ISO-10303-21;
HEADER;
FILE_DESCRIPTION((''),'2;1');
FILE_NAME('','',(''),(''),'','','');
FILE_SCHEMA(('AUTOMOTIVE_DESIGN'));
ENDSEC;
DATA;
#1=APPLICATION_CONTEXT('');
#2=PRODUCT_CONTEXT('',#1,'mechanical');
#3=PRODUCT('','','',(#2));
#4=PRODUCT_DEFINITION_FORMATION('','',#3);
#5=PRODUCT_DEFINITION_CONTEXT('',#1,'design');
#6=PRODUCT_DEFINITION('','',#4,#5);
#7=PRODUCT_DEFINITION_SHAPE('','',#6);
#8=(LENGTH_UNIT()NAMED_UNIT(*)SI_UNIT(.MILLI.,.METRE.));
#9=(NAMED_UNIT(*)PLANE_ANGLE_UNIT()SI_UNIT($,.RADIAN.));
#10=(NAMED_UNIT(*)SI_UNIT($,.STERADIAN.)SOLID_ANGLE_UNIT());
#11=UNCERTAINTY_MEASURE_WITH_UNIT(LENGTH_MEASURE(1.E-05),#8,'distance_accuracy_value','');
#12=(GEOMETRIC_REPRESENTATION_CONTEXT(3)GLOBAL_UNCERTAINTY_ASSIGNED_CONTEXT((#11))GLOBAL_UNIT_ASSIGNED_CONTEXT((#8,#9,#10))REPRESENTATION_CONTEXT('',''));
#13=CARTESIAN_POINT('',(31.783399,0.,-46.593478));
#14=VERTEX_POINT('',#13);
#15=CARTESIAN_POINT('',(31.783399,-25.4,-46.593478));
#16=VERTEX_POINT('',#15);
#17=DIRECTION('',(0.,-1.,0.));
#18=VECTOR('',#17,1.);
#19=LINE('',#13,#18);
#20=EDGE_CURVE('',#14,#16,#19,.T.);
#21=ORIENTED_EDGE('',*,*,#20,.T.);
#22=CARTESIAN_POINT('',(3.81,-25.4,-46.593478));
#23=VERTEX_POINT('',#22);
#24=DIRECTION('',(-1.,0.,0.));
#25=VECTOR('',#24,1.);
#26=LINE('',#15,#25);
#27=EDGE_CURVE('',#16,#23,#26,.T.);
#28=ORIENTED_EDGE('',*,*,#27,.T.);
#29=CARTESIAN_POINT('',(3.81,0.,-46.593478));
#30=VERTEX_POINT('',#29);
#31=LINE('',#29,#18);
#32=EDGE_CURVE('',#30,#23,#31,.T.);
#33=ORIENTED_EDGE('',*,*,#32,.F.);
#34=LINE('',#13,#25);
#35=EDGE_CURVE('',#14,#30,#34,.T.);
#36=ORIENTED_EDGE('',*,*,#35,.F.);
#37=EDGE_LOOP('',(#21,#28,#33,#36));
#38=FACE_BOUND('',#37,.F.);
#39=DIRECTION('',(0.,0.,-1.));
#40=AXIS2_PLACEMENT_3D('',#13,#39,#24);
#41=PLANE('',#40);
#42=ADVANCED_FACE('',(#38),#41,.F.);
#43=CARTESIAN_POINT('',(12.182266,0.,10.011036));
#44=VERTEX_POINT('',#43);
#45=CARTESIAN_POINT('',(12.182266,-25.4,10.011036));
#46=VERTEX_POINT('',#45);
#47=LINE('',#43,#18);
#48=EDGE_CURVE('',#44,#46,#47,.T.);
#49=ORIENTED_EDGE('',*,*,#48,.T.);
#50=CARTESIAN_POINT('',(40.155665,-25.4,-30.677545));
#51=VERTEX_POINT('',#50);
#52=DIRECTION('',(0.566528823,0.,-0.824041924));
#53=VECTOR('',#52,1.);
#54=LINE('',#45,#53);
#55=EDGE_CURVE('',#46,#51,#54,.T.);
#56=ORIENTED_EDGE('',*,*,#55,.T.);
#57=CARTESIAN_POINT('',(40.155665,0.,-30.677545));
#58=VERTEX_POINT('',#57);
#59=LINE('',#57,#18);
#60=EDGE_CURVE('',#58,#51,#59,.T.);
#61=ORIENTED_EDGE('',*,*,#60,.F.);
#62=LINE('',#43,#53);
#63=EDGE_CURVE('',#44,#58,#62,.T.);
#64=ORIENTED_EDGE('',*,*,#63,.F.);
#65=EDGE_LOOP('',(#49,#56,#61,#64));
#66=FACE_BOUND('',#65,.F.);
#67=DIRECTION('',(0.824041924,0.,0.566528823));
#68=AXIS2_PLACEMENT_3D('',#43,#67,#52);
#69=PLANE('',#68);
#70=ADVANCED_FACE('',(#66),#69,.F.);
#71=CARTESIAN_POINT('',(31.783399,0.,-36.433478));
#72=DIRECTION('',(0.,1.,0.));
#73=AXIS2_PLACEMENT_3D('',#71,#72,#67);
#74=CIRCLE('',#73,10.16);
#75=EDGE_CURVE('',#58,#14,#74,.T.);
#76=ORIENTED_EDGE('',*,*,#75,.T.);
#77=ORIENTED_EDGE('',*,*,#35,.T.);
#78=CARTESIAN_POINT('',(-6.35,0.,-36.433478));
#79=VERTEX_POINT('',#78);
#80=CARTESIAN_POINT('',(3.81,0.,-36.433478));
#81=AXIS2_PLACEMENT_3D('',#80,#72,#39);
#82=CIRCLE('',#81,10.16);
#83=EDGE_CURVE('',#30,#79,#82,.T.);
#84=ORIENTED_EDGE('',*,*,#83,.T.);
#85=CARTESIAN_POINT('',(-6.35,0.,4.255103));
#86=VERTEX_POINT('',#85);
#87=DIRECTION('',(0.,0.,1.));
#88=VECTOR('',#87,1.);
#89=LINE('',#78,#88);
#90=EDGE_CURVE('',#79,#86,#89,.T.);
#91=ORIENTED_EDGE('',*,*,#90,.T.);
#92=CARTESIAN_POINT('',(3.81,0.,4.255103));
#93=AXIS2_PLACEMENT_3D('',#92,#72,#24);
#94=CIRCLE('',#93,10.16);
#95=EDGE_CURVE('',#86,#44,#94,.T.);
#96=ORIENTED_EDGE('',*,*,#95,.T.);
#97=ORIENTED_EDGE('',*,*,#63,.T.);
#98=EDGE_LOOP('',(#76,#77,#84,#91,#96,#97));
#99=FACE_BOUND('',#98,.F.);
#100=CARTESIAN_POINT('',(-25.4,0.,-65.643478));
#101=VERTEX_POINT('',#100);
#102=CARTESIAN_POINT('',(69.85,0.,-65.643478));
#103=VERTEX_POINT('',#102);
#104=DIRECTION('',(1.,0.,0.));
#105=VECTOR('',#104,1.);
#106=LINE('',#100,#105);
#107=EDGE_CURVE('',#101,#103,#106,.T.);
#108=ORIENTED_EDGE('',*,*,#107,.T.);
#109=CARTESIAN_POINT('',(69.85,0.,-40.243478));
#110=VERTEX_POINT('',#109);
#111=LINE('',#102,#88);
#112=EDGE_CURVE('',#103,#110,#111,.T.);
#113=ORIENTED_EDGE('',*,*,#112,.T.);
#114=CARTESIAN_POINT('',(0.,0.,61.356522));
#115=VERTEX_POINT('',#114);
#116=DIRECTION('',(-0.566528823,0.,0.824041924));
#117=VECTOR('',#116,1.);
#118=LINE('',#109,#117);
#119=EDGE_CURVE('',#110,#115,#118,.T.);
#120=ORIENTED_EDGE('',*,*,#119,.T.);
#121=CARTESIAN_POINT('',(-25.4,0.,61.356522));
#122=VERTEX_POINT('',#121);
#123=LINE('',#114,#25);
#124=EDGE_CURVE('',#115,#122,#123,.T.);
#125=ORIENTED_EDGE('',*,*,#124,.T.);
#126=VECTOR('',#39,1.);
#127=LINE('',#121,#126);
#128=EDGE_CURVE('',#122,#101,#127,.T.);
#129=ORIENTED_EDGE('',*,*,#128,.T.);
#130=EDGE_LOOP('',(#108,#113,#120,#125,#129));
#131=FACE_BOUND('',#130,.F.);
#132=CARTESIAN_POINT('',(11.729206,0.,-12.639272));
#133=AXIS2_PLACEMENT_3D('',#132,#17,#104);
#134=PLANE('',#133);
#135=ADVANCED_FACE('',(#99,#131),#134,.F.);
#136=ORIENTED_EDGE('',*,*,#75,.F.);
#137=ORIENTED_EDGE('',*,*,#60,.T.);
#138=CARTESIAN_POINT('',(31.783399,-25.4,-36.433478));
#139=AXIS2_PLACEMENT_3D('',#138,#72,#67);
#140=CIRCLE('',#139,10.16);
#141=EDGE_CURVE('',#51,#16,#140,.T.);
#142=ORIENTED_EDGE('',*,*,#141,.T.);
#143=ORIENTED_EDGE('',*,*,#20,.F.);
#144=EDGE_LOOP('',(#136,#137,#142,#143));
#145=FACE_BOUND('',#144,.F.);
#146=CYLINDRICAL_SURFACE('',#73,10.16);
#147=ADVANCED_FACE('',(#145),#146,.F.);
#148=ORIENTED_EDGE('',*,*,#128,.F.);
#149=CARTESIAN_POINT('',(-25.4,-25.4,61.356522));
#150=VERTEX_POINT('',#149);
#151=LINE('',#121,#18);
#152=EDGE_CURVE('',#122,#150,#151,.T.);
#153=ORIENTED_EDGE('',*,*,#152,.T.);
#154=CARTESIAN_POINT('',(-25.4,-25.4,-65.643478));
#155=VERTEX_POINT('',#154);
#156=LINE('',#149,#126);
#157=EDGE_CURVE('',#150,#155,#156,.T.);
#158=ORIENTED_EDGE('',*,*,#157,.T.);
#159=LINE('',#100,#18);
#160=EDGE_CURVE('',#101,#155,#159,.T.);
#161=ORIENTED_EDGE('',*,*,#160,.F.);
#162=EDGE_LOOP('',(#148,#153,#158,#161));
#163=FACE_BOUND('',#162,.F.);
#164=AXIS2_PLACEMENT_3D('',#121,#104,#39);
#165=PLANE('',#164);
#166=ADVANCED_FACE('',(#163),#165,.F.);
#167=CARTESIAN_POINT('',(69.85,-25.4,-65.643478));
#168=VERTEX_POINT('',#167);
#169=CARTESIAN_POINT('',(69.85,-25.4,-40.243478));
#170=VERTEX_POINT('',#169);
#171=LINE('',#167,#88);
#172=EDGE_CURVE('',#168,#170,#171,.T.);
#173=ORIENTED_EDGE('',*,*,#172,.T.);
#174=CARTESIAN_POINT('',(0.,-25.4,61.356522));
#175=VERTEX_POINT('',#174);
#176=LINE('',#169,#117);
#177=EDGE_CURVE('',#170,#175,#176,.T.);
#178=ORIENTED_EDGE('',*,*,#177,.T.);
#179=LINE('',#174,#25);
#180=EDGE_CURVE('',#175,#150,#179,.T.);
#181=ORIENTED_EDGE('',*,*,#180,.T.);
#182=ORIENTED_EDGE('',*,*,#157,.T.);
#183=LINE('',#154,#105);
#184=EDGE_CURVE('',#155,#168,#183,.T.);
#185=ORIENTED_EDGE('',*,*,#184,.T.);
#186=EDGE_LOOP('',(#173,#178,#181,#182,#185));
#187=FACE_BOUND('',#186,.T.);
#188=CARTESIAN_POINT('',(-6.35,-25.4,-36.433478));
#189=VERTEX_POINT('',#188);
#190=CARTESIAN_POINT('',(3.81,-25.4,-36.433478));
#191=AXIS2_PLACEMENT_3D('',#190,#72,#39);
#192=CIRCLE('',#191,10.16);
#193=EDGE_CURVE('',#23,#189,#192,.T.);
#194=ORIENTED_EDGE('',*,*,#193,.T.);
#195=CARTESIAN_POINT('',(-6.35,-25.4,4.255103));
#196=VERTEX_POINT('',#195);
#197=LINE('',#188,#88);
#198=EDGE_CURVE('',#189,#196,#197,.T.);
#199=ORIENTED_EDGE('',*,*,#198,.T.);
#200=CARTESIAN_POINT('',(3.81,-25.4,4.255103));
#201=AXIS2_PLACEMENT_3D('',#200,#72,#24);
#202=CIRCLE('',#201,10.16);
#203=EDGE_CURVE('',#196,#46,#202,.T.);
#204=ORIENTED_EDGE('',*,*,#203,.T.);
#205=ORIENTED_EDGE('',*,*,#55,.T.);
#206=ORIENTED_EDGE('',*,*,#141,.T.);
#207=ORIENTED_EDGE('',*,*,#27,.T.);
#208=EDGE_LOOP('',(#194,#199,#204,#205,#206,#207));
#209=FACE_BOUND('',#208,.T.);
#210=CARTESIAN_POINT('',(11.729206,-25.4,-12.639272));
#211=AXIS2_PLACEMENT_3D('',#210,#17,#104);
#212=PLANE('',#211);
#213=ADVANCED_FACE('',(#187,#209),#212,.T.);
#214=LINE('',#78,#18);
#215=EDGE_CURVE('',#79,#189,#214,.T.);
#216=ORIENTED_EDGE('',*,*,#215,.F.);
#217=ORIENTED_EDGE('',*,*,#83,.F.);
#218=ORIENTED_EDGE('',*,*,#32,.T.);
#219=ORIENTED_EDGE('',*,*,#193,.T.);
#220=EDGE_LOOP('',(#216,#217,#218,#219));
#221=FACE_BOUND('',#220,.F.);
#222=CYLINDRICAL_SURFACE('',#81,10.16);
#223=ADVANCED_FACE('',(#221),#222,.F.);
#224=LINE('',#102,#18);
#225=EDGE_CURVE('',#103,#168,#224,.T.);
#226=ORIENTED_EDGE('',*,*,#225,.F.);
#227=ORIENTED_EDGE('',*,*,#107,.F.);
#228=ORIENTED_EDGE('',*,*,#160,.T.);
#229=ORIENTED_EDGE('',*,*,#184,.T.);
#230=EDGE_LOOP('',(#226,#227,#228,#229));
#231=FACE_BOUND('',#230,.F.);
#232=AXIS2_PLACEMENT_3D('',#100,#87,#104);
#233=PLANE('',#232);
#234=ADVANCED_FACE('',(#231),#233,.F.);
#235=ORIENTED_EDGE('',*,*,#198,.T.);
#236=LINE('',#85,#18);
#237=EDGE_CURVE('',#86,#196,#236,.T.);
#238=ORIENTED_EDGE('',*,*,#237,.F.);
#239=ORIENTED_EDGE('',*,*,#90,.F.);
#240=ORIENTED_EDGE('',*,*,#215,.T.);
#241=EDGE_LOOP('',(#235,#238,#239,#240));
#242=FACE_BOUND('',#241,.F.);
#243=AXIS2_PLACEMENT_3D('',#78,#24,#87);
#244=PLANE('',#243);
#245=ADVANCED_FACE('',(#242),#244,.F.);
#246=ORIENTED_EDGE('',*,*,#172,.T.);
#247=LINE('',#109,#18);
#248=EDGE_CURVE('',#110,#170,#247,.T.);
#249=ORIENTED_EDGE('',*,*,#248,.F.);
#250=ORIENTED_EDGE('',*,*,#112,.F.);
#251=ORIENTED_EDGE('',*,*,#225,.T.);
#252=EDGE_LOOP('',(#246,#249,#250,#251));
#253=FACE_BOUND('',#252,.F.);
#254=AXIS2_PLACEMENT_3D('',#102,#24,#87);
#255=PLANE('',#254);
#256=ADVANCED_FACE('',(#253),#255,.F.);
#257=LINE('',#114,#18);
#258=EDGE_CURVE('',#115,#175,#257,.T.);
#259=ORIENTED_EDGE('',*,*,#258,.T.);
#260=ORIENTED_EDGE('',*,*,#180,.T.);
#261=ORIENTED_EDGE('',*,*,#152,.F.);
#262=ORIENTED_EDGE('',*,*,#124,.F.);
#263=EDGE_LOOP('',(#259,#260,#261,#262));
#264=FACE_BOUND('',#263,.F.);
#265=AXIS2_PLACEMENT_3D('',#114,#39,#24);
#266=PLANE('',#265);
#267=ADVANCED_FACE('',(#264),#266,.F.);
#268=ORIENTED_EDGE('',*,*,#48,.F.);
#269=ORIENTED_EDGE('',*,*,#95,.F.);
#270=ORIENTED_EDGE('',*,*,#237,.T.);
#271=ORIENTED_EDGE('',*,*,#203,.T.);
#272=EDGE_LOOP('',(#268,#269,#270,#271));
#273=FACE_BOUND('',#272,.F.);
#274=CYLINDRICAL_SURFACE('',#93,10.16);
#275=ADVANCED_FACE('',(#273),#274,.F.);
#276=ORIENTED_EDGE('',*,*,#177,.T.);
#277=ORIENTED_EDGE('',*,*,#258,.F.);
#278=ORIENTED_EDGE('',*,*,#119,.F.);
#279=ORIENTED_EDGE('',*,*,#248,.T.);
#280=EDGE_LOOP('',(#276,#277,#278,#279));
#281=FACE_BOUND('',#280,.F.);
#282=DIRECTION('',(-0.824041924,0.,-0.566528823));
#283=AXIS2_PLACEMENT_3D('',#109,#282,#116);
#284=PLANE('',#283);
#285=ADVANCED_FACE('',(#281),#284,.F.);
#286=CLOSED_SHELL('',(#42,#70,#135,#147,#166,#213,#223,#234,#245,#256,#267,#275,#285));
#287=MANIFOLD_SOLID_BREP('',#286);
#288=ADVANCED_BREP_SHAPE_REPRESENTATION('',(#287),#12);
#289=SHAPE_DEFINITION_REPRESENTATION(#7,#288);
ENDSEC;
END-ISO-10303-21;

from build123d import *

# Parameters (mm, degrees)
F4_DEPTH = 25.4


with BuildPart() as f4:
    # F3 (on Front) → F4 (new body)
    with BuildSketch(Plane.XZ):
        Polygon((0, 61.356521979), (-25.4, 61.356521979), (-25.4, -65.643478021), (69.85, -65.643478021), (69.85, -40.243478021), align=None)
        with BuildLine():
            ThreePointArc((-6.35, 4.2551029085), (0.7964159254, 13.9578814293), (12.1822659499, 10.011035749))
            Line((12.1822659499, 10.011035749), (40.1556653389, -30.6775451805))
            ThreePointArc((40.1556653389, -30.6775451805), (40.7752256123, -41.1634527747), (31.783399389, -46.593478021))
            Line((31.783399389, -46.593478021), (3.81, -46.593478021))
            ThreePointArc((3.81, -46.593478021), (-3.3742048969, -43.6176829179), (-6.35, -36.433478021))
            Line((-6.35, -36.433478021), (-6.35, 4.2551029085))
        make_face(mode=Mode.SUBTRACT)
    extrude(amount=F4_DEPTH)


solid = f4.part
